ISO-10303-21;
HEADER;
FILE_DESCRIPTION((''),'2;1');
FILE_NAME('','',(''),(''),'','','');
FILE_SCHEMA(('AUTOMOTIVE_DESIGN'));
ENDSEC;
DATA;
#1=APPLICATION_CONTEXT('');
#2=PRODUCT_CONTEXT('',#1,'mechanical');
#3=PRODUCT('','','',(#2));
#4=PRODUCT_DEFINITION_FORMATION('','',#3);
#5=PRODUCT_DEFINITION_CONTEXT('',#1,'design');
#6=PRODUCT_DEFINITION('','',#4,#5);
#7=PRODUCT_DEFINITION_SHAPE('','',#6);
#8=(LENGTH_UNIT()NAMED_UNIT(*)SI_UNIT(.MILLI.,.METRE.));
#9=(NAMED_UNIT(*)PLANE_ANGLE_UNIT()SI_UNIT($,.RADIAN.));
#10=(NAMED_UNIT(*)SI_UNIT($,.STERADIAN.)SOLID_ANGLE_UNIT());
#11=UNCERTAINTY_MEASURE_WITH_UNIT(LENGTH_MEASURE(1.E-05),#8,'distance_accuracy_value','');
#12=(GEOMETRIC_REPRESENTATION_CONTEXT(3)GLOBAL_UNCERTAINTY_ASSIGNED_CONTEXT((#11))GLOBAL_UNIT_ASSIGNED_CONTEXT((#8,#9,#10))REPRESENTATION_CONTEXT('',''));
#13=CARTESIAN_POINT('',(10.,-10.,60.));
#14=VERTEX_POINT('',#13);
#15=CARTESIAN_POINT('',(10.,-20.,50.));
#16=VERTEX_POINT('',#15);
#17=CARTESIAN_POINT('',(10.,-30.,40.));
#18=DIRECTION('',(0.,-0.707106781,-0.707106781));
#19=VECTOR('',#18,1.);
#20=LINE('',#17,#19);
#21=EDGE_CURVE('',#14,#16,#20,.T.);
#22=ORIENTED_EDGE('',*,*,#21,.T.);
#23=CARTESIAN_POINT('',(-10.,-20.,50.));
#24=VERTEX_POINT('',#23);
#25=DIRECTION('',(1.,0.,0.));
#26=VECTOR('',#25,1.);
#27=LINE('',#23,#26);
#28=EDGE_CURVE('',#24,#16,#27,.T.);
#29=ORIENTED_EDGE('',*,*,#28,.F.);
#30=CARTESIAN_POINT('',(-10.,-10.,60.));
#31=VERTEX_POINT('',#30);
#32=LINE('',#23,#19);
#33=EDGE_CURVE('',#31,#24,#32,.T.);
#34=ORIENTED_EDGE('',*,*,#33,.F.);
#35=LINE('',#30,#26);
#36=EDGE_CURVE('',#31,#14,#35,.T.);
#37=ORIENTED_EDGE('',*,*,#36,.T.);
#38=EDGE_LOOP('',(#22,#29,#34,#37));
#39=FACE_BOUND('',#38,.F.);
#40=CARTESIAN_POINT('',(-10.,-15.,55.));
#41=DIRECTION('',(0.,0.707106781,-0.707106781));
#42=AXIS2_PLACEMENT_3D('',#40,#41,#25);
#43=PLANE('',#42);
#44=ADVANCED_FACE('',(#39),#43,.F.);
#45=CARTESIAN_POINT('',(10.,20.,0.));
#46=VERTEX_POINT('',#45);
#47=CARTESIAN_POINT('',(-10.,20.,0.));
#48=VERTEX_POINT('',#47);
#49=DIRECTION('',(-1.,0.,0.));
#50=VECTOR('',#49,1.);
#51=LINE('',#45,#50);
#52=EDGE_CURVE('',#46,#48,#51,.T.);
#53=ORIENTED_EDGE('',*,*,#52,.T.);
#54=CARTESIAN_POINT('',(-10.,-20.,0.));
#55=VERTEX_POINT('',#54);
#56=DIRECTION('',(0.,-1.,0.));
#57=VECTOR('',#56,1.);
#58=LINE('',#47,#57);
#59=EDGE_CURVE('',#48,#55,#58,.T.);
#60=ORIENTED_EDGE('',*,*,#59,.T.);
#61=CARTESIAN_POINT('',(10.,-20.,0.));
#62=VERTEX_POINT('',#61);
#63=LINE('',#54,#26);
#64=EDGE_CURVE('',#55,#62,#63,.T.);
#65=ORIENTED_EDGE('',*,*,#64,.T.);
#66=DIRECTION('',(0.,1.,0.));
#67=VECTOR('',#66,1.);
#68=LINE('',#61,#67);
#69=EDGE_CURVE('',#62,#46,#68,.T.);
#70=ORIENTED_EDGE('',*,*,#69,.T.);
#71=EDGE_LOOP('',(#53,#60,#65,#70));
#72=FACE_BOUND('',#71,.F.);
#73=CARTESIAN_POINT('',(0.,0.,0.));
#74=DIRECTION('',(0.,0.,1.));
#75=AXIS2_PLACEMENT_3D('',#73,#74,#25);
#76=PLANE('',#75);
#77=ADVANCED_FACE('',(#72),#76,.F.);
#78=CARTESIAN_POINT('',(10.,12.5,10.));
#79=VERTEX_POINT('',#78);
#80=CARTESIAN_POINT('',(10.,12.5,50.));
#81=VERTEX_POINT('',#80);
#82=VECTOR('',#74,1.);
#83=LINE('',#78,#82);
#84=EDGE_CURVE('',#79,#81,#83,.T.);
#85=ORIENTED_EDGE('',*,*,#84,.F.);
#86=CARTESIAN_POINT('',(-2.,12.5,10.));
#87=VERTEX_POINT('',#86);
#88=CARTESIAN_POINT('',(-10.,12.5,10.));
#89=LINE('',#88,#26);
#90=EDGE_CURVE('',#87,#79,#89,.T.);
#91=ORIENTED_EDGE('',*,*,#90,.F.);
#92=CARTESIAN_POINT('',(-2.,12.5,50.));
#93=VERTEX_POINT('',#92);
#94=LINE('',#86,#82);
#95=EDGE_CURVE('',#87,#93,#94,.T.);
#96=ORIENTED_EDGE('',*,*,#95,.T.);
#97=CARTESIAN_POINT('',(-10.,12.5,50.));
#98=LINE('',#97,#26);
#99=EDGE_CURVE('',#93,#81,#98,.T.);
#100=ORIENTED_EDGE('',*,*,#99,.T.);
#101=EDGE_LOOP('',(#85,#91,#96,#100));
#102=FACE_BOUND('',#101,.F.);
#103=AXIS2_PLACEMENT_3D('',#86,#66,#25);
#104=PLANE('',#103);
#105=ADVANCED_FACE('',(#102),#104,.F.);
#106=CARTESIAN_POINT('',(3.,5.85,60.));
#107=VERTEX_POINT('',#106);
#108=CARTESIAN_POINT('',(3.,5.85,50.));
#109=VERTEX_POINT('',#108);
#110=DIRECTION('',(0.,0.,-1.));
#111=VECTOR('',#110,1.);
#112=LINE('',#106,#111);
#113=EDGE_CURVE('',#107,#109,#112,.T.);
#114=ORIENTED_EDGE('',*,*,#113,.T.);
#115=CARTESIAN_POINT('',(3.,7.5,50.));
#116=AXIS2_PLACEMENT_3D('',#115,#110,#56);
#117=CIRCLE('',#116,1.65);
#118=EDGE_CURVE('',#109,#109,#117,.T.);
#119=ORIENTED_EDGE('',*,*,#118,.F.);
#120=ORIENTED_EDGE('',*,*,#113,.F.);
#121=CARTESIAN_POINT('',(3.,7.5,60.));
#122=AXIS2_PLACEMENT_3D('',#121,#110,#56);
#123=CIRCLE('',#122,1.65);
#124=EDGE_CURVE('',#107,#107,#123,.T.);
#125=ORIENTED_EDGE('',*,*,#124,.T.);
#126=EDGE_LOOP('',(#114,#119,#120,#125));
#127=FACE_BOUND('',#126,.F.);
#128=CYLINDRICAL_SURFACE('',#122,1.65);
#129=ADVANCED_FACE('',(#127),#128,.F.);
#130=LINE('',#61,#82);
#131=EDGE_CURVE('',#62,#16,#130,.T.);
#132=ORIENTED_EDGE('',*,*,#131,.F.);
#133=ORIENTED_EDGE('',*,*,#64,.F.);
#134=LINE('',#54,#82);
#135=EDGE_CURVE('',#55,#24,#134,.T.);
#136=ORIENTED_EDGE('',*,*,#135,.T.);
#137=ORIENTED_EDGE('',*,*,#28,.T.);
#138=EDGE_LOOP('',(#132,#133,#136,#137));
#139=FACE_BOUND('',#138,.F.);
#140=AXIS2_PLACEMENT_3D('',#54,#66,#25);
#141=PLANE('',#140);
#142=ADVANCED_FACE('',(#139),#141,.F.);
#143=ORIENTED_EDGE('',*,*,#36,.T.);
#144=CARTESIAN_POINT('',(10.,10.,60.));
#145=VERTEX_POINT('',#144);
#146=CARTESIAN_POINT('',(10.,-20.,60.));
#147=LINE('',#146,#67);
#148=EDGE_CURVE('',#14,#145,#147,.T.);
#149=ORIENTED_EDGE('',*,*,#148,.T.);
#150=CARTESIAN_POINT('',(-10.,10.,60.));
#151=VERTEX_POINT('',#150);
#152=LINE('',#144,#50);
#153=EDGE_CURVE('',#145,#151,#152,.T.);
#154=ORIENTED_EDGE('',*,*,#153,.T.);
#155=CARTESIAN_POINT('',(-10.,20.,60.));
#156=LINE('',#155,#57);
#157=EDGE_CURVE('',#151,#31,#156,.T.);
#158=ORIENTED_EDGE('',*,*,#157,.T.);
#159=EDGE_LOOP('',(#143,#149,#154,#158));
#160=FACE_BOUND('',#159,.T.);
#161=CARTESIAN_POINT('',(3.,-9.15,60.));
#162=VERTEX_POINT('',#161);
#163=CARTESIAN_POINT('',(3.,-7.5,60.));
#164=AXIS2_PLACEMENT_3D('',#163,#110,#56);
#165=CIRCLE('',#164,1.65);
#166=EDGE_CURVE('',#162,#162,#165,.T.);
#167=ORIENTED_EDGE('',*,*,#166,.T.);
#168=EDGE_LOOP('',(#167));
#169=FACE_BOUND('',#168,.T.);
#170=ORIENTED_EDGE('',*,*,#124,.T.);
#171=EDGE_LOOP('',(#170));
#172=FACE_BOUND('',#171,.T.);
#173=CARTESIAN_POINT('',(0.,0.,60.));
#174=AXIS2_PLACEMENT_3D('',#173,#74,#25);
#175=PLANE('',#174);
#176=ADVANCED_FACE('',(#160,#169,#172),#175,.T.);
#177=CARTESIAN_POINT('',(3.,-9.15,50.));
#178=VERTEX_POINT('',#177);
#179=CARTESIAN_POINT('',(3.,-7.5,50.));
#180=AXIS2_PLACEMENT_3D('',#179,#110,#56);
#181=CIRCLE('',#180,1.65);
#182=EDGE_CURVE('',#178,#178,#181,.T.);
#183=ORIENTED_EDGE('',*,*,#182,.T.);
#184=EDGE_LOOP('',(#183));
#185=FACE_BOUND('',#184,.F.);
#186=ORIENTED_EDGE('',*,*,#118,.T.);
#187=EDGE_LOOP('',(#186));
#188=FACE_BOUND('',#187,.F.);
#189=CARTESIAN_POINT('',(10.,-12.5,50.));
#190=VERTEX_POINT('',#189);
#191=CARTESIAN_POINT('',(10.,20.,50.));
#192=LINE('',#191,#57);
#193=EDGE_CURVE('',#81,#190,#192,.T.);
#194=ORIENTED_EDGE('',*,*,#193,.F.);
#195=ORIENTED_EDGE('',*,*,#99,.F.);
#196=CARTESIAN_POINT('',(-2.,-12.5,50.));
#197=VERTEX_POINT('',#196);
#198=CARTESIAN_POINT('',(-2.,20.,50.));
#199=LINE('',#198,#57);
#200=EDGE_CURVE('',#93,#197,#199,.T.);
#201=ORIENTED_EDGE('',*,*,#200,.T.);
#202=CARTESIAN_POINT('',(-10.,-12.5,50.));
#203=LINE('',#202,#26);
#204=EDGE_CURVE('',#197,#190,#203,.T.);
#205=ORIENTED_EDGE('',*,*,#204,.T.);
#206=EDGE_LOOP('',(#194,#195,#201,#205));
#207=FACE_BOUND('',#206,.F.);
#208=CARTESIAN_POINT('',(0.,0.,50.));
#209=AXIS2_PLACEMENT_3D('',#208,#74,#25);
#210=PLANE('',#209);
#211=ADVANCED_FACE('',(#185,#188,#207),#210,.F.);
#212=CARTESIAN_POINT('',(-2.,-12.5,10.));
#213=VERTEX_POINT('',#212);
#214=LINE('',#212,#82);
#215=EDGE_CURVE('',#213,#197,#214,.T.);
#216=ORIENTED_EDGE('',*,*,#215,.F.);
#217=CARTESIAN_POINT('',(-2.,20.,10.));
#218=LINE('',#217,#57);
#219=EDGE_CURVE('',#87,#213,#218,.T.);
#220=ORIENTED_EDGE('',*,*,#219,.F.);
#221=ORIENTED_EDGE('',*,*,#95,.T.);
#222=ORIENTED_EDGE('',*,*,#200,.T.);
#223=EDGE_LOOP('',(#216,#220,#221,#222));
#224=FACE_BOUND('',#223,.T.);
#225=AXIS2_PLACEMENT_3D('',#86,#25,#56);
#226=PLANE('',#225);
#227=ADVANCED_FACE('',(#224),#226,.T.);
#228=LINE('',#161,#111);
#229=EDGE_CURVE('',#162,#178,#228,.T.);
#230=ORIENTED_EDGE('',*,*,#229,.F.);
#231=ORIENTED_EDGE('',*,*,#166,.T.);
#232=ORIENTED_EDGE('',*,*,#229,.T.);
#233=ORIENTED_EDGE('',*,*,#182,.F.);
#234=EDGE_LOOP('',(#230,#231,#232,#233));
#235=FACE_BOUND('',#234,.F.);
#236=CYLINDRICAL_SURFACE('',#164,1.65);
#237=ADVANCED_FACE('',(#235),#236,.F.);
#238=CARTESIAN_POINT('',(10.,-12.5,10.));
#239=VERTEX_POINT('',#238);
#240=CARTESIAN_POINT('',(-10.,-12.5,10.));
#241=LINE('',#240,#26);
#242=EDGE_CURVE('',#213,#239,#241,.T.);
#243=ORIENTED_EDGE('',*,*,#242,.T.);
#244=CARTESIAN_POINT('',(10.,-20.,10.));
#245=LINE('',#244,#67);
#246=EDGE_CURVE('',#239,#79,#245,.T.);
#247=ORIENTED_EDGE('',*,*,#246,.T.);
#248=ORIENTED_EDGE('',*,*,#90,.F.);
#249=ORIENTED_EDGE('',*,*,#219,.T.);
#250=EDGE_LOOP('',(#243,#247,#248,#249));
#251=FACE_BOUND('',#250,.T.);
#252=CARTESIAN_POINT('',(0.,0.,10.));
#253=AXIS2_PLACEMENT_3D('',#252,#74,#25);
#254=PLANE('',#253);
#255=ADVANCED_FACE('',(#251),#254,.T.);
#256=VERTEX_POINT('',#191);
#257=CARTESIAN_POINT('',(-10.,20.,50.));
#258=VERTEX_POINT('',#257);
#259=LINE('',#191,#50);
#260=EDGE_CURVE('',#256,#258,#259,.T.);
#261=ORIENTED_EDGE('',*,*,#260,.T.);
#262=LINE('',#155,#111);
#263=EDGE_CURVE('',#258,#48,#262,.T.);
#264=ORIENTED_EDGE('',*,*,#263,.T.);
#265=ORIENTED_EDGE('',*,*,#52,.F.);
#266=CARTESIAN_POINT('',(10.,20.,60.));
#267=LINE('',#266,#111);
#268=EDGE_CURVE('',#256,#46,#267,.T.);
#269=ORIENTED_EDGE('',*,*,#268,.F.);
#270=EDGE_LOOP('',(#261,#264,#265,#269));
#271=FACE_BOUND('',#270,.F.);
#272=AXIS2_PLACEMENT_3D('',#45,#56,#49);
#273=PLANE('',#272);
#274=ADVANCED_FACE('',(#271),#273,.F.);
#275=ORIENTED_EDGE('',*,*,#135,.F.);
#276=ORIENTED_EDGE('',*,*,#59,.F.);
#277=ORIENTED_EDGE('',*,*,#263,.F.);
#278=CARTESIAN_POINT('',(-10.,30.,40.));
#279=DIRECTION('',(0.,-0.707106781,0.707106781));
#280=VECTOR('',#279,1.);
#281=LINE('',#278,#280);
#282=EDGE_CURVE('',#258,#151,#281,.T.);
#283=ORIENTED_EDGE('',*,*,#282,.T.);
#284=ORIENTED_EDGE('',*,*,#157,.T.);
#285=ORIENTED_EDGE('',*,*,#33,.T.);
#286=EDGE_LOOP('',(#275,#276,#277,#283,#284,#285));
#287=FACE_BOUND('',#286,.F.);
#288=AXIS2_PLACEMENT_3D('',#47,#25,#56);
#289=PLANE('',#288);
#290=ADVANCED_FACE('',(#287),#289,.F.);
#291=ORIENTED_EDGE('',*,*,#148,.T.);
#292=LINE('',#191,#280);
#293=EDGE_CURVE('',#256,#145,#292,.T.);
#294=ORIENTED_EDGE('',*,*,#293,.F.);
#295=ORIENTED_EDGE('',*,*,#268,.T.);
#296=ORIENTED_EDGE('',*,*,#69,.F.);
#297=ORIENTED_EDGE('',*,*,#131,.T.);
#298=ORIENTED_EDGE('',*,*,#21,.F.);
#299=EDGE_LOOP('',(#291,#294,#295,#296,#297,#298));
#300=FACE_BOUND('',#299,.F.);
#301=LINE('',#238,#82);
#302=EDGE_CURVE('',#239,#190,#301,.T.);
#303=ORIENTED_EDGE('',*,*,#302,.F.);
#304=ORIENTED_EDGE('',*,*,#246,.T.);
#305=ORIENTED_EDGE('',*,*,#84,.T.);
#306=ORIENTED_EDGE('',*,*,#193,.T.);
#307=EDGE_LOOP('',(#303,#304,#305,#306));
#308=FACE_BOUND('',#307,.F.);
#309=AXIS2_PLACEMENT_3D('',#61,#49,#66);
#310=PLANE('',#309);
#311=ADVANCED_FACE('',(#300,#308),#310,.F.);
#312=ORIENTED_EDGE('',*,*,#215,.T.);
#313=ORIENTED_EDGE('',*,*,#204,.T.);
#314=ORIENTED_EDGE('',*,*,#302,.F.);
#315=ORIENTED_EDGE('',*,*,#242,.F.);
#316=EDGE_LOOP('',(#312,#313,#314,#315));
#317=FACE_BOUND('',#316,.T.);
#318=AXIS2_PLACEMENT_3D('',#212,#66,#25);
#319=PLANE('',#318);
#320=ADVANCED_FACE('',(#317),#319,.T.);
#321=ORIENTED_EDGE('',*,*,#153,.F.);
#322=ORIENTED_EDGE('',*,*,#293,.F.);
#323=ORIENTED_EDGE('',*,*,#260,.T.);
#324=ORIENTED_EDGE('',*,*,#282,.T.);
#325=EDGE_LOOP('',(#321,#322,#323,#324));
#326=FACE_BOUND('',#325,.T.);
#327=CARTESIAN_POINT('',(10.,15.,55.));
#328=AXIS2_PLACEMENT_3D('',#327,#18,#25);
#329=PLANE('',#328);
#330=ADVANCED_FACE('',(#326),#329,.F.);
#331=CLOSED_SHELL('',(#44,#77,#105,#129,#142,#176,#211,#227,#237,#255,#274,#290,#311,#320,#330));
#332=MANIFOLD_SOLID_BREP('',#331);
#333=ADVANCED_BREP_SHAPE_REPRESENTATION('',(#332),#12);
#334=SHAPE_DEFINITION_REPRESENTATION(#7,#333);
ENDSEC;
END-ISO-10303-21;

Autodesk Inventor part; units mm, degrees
ref_plane "YZ Plane" through (0, 0, 0) normal (1, 0, 0) x (0, 1, 0)
ref_plane "XZ Plane" through (0, 0, 0) normal (0, 1, 0) x (-1, 0, 0)
ref_plane "XY Plane" through (0, 0, 0) normal (0, 0, 1) x (1, 0, 0)
sketch "スケッチ1" plane through (0, 0, 0) normal (0, 0, 1) x (1, 0, 0)
  line L0 (-10, -20) -> (10, -20)
  line L1 (10, -20) -> (10, 20)
  line L2 (10, 20) -> (-10, 20)
  line L3 (-10, 20) -> (-10, -20)
  line L4 (-10, -20) -> (10, 20) construction
  line L5 (10, -20) -> (-10, 20) construction
  point P0 (0, 0)
  dimension "d0" = 20
  dimension "d1" = 40
extrude "押し出し1" add sketch "スケッチ1" along normal blind 10
sketch "スケッチ2" plane through (0, 0, 10) normal (0, 0, 1) x (1, 0, 0)
  line L0 (-10, 20) -> (-10, -20) projected
  line L1 (-10, -20) -> (10, -20) projected
  line L2 (10, -20) -> (10, 20) projected
  line L3 (10, 20) -> (-10, 20) projected
  line L4 (10, 20) -> (-10, 20)
  line L5 (-10, 20) -> (-10, 12.5)
  line L6 (-10, 12.5) -> (10, 12.5)
  line L7 (10, 12.5) -> (10, 20)
  line L8 (10, -20) -> (-10, -20)
  line L9 (-10, -20) -> (-10, -12.5)
  line L10 (-10, -12.5) -> (10, -12.5)
  line L11 (10, -12.5) -> (10, -20)
  line L12 (-10, 20) -> (-2, 20)
  line L13 (-2, 20) -> (-2, -20)
  line L14 (-2, -20) -> (-10, -20)
  line L15 (-10, -20) -> (-10, 20)
  point P0 (0, 0)
  point P1 (10, -12.5)
  point P2 (-2, -12.5)
  point P3 (-2, 12.5)
  point P4 (10, 12.5)
  dimension "d4" = 7.5
  dimension "d5" = 7.5
  dimension "d6" = 8
extrude "押し出し2" add sketch "スケッチ2" along normal blind 40 contours L3 L13 L6 L0 | L6 L13 L10 L0 | L3 L2 L6 L13 | L10 L13 L1 L0 | L10 L2 L1 L13
sketch "スケッチ3" plane through (0, 0, 50) normal (0, 0, 1) x (1, 0, 0)
  line L0 (-10, -20) -> (10, -20) projected
  line L1 (10, -20) -> (10, -12.5) projected
  line L2 (10, 12.5) -> (10, 20) projected
  line L3 (10, 20) -> (-10, 20) projected
  line L4 (-10, 20) -> (-10, -20) projected
  line L5 (10, 12.5) -> (-2, 12.5) projected
  line L6 (-2, 12.5) -> (-2, -12.5) projected
  line L7 (-2, -12.5) -> (10, -12.5) projected
  line L8 (10, -12.5) -> (10, 12.5) projected
  point P0 (0, 0)
extrude "押し出し3" add sketch "スケッチ3" along normal blind 10
sketch "スケッチ4" plane through (0, 0, 60) normal (0, 0, 1) x (1, 0, 0)
  line L0 (10, -20) -> (10, 20) projected
  point P0 (0, 0)
  point P1 (3, 7.5)
  point P2 (3, -7.5)
  dimension "d11" = 7
  dimension "d12" = 15
  dimension "d13" = 7.5
hole "穴1" at (3, 7.5, 60) at (3, -7.5, 60) direction (0, 0, -1) diameter 3.3 depth 40.25
chamfer "面取り1" distance 10 angle 45 2 edges at (0, 20, 60) (0, -20, 60)
properties part number "Print_Parts_Q" material "PC/ABS プラスチック"
